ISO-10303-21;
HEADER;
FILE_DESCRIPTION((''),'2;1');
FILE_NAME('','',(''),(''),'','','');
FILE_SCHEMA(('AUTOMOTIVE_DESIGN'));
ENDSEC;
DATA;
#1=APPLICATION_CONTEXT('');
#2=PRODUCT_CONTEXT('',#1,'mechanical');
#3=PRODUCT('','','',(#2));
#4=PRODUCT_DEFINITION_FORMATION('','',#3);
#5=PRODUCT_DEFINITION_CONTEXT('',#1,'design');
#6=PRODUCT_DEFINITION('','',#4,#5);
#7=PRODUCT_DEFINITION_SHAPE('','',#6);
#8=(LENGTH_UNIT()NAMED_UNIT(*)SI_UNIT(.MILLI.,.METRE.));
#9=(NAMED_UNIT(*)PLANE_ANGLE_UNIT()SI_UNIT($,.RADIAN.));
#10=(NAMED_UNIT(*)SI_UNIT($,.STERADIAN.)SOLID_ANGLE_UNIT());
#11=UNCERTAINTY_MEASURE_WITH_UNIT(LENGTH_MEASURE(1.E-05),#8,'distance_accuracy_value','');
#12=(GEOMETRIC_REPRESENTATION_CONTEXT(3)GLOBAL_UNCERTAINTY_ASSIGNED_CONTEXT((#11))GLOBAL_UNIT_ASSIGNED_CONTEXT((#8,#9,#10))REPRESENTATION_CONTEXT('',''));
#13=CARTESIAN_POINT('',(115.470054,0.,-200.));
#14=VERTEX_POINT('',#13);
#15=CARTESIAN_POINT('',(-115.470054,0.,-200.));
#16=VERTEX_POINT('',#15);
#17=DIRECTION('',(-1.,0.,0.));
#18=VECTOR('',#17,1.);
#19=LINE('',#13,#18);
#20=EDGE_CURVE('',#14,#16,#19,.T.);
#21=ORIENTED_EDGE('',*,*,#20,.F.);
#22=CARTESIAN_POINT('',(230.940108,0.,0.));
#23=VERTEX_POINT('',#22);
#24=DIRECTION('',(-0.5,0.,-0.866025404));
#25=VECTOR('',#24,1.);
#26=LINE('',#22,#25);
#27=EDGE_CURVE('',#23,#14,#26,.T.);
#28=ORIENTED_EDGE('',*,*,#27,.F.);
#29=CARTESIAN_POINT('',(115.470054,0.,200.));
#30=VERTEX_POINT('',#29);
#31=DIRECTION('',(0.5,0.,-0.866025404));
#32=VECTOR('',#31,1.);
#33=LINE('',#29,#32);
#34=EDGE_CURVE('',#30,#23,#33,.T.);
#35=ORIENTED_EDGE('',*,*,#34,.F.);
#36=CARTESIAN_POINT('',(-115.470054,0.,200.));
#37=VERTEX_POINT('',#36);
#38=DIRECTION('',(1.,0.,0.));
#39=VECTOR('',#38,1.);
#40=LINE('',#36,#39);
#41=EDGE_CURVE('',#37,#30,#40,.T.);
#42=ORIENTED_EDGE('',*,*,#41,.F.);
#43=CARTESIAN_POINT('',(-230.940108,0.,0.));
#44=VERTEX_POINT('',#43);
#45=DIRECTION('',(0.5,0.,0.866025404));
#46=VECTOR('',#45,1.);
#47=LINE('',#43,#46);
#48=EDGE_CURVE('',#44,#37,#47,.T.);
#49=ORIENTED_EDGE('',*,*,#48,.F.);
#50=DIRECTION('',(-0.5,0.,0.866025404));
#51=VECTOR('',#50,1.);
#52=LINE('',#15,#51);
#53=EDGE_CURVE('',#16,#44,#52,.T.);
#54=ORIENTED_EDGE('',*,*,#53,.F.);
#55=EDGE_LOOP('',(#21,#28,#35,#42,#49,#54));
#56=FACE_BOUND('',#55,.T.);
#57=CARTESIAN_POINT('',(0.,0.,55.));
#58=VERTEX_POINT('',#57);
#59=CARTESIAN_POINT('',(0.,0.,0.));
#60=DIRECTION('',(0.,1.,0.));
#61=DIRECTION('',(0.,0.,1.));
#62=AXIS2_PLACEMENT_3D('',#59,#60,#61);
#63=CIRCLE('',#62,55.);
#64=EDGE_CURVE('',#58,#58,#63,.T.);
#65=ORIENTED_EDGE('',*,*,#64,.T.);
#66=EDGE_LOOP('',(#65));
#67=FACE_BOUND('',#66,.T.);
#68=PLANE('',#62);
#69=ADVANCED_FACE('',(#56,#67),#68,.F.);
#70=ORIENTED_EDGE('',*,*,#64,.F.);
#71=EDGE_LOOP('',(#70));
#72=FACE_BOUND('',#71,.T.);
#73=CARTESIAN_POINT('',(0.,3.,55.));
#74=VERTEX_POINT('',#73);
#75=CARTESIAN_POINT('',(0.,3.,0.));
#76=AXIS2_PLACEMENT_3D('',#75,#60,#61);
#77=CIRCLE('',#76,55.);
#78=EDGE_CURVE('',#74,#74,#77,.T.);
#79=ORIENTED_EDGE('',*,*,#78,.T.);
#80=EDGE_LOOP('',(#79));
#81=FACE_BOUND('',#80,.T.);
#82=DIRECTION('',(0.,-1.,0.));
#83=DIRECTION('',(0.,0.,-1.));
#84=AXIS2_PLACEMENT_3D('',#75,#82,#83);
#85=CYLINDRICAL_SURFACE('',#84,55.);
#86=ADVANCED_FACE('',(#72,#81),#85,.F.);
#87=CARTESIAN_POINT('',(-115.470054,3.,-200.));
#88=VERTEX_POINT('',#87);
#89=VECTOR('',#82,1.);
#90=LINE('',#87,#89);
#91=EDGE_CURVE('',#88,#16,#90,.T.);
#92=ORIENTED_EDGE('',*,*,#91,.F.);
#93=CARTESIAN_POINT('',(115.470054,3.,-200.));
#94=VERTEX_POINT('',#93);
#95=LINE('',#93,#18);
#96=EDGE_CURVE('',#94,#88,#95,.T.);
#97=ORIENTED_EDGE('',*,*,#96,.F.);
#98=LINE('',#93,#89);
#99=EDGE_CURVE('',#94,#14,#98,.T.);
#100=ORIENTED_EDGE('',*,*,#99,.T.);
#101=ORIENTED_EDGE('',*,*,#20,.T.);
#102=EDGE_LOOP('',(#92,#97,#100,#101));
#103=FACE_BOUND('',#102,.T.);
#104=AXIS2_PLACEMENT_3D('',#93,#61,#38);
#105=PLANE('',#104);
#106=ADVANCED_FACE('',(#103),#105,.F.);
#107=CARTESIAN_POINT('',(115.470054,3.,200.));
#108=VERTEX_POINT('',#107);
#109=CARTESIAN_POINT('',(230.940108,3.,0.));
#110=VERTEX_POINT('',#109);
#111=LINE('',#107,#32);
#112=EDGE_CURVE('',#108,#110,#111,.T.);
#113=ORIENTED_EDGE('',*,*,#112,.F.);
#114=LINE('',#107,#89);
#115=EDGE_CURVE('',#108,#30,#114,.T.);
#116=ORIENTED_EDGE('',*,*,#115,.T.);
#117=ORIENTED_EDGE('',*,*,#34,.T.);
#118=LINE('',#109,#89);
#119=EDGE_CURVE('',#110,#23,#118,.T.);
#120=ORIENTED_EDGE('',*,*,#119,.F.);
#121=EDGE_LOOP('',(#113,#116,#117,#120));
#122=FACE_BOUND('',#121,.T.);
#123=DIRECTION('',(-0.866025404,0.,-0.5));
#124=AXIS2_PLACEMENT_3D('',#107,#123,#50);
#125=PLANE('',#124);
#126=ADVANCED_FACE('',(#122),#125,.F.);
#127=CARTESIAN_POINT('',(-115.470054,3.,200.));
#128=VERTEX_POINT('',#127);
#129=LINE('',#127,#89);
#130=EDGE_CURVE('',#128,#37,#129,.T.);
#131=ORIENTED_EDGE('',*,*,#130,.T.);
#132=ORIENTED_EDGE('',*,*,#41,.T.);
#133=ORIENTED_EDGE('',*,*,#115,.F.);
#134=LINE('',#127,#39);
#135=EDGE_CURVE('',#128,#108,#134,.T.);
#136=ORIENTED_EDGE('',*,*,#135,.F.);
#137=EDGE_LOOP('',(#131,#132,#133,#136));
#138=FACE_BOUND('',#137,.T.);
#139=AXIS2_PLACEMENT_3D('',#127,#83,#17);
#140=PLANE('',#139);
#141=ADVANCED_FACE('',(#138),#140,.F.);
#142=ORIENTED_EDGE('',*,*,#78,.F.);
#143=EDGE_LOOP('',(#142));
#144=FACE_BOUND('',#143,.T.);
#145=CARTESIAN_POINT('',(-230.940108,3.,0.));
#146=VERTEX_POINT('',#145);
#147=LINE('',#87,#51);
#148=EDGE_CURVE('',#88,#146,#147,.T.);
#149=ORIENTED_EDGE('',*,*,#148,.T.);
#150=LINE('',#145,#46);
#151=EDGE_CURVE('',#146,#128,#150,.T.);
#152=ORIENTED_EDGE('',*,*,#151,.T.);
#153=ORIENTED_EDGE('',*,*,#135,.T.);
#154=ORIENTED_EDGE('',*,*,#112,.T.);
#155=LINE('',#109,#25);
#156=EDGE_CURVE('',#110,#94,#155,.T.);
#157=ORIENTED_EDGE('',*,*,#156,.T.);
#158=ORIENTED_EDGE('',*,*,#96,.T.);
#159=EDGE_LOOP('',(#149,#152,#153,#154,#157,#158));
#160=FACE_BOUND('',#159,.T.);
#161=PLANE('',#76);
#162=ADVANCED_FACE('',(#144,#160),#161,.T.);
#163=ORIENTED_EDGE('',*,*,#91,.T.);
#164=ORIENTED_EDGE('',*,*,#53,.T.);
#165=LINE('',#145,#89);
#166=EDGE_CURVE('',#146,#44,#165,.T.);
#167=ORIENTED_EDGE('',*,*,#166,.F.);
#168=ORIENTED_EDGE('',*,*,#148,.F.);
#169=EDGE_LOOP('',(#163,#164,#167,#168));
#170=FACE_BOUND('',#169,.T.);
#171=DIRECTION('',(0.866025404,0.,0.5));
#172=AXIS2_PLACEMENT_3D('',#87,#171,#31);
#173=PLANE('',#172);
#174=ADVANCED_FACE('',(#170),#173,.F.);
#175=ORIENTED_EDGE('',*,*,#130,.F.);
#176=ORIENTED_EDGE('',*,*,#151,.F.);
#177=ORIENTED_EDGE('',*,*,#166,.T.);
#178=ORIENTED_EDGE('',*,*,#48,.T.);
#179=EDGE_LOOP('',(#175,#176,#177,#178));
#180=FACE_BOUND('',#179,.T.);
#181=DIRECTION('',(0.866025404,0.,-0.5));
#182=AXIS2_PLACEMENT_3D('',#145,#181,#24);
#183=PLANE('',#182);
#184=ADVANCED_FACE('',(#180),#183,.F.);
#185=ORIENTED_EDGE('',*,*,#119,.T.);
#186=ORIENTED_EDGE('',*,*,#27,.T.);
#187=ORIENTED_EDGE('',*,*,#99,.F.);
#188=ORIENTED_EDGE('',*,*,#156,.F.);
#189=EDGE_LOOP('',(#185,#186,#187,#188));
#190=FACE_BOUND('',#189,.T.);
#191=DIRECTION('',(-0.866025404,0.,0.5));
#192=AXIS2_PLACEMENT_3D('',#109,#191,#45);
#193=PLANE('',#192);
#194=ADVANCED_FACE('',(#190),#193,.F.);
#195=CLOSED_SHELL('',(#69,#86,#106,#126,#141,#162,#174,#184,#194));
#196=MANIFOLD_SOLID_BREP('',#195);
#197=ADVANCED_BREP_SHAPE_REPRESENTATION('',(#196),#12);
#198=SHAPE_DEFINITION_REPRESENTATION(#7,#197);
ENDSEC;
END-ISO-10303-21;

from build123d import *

# Parameters (mm, degrees)
CROQUIS1_R              = 55
SALIENTE_EXTRUIR1_DEPTH = 3


with BuildPart() as part:
    # Croquis1 → Saliente-Extruir1 (new body)
    with BuildSketch(Plane(origin=(0, 0, 0), x_dir=(1, 0, 0), z_dir=(0, 1, 0))):
        Polygon((115.470053838, -200), (230.940107676, 0), (115.470053838, 200), (-115.470053838, 200), (-230.940107676, 0), (-115.470053838, -200), align=None)
        Circle(CROQUIS1_R, mode=Mode.SUBTRACT)
    extrude(amount=SALIENTE_EXTRUIR1_DEPTH)


solid = part.part
